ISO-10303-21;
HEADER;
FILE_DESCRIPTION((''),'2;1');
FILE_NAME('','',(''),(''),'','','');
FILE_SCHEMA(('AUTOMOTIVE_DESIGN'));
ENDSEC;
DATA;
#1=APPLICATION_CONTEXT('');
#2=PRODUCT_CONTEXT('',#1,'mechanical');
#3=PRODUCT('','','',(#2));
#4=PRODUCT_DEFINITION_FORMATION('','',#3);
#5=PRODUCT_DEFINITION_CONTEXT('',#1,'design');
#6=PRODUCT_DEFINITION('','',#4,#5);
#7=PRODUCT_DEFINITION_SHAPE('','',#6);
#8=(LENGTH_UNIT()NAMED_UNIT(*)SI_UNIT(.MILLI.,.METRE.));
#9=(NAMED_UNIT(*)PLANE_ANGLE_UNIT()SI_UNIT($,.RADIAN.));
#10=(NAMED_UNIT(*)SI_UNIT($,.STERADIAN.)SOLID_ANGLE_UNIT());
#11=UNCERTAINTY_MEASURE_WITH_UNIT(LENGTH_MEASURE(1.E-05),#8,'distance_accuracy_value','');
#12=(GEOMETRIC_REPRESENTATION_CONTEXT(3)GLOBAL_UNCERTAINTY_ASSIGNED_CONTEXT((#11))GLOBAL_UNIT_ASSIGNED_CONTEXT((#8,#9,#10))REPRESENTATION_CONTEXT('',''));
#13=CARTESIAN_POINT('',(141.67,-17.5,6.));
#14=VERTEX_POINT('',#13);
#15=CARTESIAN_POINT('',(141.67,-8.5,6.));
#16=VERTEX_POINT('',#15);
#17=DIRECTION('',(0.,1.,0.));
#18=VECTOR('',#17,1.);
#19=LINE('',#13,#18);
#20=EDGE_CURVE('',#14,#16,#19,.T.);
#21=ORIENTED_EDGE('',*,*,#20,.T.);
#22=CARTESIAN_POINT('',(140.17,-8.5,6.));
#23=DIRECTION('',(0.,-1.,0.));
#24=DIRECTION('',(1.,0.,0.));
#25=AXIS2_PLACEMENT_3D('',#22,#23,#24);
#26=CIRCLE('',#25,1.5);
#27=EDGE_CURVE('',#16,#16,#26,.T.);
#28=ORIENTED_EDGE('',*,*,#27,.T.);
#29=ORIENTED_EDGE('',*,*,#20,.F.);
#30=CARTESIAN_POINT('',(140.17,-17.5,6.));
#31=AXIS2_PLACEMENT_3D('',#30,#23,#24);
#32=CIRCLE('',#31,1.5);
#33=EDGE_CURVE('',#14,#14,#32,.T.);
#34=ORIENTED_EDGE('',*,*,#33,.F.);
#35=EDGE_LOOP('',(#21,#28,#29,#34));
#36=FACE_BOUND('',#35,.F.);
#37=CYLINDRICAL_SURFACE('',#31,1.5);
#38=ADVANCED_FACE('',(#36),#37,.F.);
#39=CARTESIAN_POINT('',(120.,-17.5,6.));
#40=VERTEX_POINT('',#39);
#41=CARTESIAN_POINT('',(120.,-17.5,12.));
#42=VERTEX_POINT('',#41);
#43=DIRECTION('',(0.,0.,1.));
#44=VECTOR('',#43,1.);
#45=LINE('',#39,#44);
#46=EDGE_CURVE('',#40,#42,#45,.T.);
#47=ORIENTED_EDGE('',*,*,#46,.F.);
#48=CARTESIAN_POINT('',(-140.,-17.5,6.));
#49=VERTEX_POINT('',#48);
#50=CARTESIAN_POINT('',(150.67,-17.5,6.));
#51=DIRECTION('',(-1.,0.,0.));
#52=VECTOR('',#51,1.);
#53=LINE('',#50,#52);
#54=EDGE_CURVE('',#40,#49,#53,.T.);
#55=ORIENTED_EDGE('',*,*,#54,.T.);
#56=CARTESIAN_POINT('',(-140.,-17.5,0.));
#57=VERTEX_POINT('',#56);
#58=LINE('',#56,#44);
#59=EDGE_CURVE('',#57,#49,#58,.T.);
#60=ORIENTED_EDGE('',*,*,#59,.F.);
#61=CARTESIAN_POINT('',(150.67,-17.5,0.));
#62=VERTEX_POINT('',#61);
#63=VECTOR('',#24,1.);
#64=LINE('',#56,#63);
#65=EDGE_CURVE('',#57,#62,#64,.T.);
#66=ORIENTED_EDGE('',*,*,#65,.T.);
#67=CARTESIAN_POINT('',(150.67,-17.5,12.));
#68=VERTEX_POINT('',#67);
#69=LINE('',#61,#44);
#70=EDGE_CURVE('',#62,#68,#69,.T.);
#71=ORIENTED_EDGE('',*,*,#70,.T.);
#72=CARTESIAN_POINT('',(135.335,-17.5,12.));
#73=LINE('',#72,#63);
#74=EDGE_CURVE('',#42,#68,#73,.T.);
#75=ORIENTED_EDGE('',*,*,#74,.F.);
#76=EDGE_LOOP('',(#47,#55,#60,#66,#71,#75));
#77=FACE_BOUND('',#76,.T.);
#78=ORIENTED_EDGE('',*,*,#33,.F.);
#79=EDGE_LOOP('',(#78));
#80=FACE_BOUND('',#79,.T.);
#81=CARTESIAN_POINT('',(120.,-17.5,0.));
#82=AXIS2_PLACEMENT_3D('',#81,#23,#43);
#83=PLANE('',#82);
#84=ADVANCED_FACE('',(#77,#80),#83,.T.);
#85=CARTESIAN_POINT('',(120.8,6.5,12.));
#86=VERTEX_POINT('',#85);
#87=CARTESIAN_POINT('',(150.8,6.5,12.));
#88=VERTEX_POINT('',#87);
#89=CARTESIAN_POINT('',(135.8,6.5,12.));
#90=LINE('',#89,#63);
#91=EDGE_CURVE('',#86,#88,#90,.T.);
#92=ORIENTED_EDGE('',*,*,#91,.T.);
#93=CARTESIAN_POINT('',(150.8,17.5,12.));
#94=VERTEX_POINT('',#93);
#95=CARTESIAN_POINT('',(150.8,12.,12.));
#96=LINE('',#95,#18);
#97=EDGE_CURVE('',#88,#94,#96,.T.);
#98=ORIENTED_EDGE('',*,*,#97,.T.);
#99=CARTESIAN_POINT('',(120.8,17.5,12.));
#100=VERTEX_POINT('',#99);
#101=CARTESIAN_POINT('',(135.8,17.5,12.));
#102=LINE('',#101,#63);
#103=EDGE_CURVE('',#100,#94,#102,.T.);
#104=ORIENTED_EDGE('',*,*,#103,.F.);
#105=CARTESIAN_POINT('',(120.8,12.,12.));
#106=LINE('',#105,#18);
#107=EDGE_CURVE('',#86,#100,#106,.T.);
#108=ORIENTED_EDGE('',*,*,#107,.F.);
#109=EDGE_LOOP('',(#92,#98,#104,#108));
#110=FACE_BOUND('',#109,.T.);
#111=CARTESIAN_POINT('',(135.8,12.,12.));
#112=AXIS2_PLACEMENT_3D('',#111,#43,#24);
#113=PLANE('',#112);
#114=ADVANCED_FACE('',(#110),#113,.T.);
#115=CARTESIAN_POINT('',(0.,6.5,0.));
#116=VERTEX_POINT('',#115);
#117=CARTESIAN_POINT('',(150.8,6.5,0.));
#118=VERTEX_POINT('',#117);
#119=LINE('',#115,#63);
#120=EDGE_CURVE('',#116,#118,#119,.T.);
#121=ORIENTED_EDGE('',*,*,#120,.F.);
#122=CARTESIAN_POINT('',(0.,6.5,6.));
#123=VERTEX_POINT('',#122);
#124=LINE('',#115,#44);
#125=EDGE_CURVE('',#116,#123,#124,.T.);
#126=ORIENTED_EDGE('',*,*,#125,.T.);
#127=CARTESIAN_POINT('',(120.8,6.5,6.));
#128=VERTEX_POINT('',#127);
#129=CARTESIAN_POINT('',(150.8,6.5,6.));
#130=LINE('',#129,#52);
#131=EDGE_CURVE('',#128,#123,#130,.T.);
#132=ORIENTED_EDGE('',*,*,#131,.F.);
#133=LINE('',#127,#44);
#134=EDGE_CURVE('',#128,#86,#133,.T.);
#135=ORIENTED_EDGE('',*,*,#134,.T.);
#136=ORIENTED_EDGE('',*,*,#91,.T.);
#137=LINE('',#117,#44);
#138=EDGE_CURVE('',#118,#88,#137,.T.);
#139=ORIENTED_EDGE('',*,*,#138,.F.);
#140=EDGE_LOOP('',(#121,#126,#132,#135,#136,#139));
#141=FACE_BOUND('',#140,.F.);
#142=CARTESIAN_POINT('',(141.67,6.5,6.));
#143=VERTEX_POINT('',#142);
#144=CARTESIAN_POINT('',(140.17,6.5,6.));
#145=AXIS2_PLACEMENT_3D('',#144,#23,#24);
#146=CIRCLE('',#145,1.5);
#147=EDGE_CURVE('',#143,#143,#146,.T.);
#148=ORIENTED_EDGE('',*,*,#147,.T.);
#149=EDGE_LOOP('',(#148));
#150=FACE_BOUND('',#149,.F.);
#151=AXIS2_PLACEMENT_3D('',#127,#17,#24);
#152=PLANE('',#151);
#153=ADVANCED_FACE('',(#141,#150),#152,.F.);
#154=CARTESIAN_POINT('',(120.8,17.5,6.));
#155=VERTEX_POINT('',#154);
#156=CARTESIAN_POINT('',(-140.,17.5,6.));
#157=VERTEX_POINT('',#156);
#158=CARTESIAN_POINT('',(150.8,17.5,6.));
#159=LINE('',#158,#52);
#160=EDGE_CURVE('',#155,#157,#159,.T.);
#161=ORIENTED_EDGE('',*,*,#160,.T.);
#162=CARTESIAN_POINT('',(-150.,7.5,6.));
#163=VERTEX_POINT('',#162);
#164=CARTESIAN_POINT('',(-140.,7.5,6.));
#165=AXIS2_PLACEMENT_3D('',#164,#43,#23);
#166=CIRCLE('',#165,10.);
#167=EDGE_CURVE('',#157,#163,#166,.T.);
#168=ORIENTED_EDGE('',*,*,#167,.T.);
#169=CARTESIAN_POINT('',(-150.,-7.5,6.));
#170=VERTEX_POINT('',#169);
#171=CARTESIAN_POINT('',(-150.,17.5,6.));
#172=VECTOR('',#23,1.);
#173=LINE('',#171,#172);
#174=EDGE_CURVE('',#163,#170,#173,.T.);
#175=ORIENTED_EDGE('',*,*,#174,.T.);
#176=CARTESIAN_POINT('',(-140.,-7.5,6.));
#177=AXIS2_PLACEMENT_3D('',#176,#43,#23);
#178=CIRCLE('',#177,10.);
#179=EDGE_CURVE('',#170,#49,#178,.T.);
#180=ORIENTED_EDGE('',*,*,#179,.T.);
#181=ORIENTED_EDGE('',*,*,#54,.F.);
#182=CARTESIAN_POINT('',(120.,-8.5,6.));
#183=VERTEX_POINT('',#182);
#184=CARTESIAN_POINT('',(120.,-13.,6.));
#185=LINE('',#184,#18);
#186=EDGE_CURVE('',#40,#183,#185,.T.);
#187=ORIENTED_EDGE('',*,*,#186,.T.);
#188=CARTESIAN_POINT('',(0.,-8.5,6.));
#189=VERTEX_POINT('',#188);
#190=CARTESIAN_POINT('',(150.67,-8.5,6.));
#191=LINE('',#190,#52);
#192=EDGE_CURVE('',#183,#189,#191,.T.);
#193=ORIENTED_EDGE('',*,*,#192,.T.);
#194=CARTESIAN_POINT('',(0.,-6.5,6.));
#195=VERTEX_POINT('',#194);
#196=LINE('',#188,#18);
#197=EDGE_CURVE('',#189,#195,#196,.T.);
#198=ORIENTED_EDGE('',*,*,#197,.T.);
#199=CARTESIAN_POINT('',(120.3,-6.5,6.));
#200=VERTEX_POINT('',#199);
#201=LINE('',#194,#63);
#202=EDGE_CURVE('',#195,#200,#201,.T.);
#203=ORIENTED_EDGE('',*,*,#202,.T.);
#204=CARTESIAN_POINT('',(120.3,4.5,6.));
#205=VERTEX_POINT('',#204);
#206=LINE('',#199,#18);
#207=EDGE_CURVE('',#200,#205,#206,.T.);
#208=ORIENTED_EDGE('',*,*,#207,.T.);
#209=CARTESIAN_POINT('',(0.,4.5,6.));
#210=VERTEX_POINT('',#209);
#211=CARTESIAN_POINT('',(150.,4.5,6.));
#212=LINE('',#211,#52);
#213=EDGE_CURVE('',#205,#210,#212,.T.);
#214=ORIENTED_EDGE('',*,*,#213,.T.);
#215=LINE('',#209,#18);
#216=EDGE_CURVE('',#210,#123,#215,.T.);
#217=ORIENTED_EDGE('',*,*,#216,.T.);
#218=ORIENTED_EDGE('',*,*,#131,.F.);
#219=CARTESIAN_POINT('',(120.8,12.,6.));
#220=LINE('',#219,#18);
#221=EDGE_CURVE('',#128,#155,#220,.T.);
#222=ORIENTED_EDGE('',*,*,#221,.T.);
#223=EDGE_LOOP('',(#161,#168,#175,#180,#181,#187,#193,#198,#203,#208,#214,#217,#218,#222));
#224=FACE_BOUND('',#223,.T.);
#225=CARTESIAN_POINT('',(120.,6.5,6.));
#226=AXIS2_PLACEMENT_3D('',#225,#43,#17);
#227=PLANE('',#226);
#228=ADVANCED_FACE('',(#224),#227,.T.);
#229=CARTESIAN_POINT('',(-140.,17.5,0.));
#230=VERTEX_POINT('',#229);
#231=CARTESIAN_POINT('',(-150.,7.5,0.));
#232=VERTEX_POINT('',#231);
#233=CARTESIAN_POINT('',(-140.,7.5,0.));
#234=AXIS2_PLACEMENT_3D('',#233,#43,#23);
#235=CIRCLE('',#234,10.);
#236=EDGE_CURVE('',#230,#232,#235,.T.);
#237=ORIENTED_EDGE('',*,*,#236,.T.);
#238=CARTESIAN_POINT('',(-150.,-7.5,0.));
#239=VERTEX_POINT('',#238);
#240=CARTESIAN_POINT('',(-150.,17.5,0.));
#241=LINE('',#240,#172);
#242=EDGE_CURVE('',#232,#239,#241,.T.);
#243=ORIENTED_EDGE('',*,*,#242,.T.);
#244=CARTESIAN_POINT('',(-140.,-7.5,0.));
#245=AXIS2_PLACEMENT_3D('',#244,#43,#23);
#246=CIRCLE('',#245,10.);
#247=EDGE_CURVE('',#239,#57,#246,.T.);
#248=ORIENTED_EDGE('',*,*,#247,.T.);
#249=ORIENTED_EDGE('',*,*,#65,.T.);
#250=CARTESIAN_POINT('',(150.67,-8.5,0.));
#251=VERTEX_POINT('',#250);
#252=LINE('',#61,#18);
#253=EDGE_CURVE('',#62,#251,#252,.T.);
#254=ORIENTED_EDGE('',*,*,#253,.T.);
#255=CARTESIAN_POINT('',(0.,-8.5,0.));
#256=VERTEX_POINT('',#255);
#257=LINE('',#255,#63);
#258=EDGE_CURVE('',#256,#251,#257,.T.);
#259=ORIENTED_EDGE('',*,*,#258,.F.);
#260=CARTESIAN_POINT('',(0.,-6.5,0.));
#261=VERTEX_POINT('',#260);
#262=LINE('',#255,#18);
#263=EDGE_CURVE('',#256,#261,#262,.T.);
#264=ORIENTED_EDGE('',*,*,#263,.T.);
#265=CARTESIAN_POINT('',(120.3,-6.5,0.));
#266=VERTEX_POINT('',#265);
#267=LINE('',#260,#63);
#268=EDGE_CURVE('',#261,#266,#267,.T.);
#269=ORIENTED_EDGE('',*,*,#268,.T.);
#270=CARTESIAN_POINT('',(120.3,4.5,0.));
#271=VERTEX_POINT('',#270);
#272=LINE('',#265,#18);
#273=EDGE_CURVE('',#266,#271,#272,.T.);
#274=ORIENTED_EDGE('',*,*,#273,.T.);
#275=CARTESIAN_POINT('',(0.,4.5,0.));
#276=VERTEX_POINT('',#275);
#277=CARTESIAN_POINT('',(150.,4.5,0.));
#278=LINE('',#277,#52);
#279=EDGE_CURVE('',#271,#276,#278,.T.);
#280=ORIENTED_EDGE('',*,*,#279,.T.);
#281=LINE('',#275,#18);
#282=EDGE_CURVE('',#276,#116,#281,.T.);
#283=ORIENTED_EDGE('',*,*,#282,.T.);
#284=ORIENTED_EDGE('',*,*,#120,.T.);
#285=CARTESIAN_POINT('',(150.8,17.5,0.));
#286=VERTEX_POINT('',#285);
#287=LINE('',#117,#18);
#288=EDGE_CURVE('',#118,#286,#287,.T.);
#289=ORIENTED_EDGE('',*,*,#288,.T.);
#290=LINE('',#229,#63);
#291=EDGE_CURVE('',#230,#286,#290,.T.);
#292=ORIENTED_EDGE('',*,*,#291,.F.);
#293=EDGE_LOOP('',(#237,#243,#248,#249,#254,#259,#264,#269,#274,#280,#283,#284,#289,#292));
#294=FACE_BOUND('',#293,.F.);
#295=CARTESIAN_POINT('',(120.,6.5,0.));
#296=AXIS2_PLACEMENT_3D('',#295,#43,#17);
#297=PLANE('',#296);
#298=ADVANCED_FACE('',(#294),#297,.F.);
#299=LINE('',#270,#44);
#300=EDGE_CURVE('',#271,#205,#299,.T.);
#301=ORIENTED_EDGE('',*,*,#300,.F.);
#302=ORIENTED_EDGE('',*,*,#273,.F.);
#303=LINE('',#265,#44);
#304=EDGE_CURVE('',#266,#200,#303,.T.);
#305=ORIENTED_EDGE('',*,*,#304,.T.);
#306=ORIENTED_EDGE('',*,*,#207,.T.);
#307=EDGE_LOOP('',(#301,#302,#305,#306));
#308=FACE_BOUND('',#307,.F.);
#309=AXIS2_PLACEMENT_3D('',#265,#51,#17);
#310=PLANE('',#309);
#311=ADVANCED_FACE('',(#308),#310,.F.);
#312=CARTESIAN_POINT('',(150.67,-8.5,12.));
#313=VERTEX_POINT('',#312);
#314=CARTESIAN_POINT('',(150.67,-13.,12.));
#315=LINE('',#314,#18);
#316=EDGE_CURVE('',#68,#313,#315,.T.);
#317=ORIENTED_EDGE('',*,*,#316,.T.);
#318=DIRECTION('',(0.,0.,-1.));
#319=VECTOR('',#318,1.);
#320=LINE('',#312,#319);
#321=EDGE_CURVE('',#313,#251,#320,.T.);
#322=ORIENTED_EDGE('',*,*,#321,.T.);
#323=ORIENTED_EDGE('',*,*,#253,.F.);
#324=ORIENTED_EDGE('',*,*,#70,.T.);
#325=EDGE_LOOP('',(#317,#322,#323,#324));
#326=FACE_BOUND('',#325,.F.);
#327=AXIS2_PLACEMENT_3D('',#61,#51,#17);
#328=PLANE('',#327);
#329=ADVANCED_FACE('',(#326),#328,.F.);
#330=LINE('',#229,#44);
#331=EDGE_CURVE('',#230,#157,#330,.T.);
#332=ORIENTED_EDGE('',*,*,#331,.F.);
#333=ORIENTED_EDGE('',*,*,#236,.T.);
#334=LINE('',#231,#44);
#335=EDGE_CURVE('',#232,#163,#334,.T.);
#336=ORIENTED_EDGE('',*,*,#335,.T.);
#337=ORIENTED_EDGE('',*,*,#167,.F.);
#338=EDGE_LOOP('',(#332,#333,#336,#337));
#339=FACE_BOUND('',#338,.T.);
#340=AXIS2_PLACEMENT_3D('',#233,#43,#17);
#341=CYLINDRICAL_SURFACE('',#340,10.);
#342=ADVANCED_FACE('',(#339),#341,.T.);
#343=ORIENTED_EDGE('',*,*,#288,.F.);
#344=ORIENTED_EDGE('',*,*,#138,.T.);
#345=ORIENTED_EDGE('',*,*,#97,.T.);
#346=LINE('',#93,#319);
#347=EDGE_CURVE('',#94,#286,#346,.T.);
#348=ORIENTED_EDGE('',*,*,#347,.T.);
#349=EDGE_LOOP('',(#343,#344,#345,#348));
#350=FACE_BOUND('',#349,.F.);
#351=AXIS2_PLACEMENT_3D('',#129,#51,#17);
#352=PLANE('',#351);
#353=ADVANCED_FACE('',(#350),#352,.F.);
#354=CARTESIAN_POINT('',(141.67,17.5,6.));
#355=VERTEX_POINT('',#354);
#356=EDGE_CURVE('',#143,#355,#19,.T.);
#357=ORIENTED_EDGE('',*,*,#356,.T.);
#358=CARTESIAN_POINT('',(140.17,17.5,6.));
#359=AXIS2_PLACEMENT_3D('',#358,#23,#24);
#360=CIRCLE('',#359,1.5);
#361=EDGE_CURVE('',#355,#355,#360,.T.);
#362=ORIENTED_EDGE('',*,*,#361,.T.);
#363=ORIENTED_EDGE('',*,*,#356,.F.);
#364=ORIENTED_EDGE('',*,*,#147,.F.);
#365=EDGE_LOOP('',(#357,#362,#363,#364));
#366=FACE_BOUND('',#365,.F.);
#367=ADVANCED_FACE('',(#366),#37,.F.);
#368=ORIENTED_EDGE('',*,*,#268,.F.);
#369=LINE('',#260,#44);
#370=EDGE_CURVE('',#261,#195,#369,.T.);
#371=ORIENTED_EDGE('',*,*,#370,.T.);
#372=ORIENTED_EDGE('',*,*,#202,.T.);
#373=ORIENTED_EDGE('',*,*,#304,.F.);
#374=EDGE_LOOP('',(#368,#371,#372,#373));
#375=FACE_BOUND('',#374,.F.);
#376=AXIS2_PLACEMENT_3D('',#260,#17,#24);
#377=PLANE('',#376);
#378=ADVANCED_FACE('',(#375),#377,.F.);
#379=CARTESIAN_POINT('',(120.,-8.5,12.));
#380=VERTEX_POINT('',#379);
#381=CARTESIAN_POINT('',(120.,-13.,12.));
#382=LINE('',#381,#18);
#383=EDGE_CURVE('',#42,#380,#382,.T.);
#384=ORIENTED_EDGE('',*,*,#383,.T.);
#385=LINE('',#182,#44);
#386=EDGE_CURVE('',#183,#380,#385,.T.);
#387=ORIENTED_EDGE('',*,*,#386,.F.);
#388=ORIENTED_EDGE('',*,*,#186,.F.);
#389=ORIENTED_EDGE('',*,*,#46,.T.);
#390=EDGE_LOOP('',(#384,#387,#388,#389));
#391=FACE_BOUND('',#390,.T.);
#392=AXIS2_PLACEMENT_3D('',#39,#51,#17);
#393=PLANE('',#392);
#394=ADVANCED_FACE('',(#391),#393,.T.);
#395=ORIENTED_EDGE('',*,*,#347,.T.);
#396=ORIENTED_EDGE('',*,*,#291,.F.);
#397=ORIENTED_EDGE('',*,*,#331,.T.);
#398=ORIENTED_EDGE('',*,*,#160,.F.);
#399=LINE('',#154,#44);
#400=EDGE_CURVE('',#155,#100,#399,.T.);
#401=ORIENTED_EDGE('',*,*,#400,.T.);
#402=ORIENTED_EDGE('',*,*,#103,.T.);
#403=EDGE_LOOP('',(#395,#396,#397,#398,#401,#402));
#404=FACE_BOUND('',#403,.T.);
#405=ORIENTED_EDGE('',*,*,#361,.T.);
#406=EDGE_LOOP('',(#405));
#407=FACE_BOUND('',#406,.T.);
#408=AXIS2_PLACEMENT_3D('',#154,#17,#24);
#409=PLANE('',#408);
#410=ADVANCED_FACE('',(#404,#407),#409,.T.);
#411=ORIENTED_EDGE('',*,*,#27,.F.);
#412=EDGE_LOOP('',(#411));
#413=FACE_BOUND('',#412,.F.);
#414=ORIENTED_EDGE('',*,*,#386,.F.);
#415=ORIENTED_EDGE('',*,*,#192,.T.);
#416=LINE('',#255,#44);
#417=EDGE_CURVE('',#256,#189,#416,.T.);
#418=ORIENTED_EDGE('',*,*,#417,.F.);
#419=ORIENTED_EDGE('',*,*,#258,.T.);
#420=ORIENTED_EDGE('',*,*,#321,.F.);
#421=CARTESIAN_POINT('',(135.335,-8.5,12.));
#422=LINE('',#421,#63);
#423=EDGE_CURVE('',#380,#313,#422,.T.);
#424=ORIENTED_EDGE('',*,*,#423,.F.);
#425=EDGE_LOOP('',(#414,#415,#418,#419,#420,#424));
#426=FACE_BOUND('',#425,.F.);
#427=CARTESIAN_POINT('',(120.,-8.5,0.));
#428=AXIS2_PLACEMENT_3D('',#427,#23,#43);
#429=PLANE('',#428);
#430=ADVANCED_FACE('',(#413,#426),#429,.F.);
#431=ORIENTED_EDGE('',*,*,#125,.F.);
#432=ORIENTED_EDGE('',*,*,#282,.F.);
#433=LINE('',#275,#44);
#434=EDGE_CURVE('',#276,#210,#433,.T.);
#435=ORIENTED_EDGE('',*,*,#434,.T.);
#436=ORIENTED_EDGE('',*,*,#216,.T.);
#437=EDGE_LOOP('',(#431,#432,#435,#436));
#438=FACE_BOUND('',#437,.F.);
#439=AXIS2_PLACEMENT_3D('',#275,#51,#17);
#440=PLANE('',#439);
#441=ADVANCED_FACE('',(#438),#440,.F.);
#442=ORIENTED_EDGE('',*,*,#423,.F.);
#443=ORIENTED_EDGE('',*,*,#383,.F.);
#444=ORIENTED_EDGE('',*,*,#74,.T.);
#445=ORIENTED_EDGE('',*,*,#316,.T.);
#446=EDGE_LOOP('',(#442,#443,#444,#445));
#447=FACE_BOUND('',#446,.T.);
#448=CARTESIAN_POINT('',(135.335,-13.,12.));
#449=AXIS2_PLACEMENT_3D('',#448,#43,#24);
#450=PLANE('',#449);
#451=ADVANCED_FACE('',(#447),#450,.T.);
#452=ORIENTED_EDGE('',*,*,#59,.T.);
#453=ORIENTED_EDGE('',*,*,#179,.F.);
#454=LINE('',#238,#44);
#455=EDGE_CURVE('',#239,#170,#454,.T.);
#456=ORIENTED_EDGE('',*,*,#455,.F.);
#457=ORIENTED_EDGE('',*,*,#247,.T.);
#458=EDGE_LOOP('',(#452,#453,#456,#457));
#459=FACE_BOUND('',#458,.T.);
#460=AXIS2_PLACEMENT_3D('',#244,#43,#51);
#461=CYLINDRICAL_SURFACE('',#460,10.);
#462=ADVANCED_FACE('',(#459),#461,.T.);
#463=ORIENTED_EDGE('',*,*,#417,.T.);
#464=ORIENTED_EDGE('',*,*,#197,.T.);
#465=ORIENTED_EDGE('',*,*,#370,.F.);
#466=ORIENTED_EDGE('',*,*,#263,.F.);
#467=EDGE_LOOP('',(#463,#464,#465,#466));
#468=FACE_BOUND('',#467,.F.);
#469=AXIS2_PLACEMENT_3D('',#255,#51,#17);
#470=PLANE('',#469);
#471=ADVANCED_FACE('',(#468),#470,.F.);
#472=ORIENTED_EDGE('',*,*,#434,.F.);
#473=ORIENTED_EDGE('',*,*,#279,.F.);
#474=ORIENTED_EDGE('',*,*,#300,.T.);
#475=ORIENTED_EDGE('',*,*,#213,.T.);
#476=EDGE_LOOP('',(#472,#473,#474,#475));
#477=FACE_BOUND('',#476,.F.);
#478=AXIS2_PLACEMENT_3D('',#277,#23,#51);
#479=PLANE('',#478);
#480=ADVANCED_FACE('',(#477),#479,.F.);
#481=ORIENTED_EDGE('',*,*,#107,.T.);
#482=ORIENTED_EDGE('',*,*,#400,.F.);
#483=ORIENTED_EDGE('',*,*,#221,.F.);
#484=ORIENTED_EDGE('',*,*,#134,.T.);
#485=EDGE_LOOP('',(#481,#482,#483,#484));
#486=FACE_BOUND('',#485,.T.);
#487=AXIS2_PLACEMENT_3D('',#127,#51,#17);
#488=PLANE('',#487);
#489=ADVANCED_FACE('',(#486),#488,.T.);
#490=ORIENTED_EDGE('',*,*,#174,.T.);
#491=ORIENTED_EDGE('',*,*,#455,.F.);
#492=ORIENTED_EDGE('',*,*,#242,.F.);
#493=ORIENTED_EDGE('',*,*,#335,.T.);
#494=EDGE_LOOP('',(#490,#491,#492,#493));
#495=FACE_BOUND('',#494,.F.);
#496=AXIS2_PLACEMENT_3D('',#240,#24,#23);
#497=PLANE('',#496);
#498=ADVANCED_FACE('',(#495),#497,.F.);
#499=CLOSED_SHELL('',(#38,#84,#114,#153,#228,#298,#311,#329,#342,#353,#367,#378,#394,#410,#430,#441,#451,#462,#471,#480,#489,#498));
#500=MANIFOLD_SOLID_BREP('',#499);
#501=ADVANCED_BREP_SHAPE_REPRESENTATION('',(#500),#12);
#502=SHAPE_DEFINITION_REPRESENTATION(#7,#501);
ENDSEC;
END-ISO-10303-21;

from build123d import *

# Parameters (mm, degrees)
F1_DEPTH = 6
F2_R     = 10
F3_DEPTH = 30.67
F4_DEPTH = 30.8
F5_DEPTH = 29.7
F6_W     = 30
F6_H     = 11
F6_W_2   = 30.67
F6_H_2   = 9
F7_DEPTH = 6
F8_R     = 1.5
F9_DEPTH = 37.3


with BuildPart() as f1:
    # F0 (on Top) → F1 (new body)
    with BuildSketch(Plane.XY):
        Polygon((120, 17.5), (-150, 17.5), (-150, -17.5), (120, -17.5), (120, -8.5), (0, -8.5), (0, -6.5), (150, -6.5), (150, 4.5), (0, 4.5), (0, 6.5), (120, 6.5), align=None)
    extrude(amount=F1_DEPTH)

    # F2
    f2_edges = [f1.edges().sort_by_distance(p)[0] for p in [
        (-150, -17.5, 3),
        (-150, 17.5, 3),
    ]]
    fillet(f2_edges, radius=F2_R)

    # F3 (add): a face of the model
    f3_faces = [f1.faces().sort_by_distance(p)[0] for p in [
        (120, -13, 3),
    ]]
    extrude(f3_faces, amount=F3_DEPTH)

    # F4 (add): a face of the model
    f4_faces = [f1.faces().sort_by_distance(p)[0] for p in [
        (120, 12, 3),
    ]]
    extrude(f4_faces, amount=F4_DEPTH)

    # F5 (cut): a face of the model
    f5_faces = [f1.faces().sort_by_distance(p)[0] for p in [
        (150, -1, 3),
    ]]
    extrude(f5_faces, amount=-F5_DEPTH, mode=Mode.SUBTRACT)

    # F6 (on face) → F7 (join)
    with BuildSketch(Plane.XY.offset(6)):
        with Locations((135.8, 12)):
            Rectangle(F6_W, F6_H)
        with Locations((135.335, -13)):
            Rectangle(F6_W_2, F6_H_2)
    extrude(amount=F7_DEPTH)

    # F8 (on face) → F9 (cut)
    with BuildSketch(Plane.XZ.offset(17.5)):
        with Locations((140.17, 6)):
            Circle(F8_R)
    extrude(amount=-F9_DEPTH, mode=Mode.SUBTRACT)


solid = f1.part
